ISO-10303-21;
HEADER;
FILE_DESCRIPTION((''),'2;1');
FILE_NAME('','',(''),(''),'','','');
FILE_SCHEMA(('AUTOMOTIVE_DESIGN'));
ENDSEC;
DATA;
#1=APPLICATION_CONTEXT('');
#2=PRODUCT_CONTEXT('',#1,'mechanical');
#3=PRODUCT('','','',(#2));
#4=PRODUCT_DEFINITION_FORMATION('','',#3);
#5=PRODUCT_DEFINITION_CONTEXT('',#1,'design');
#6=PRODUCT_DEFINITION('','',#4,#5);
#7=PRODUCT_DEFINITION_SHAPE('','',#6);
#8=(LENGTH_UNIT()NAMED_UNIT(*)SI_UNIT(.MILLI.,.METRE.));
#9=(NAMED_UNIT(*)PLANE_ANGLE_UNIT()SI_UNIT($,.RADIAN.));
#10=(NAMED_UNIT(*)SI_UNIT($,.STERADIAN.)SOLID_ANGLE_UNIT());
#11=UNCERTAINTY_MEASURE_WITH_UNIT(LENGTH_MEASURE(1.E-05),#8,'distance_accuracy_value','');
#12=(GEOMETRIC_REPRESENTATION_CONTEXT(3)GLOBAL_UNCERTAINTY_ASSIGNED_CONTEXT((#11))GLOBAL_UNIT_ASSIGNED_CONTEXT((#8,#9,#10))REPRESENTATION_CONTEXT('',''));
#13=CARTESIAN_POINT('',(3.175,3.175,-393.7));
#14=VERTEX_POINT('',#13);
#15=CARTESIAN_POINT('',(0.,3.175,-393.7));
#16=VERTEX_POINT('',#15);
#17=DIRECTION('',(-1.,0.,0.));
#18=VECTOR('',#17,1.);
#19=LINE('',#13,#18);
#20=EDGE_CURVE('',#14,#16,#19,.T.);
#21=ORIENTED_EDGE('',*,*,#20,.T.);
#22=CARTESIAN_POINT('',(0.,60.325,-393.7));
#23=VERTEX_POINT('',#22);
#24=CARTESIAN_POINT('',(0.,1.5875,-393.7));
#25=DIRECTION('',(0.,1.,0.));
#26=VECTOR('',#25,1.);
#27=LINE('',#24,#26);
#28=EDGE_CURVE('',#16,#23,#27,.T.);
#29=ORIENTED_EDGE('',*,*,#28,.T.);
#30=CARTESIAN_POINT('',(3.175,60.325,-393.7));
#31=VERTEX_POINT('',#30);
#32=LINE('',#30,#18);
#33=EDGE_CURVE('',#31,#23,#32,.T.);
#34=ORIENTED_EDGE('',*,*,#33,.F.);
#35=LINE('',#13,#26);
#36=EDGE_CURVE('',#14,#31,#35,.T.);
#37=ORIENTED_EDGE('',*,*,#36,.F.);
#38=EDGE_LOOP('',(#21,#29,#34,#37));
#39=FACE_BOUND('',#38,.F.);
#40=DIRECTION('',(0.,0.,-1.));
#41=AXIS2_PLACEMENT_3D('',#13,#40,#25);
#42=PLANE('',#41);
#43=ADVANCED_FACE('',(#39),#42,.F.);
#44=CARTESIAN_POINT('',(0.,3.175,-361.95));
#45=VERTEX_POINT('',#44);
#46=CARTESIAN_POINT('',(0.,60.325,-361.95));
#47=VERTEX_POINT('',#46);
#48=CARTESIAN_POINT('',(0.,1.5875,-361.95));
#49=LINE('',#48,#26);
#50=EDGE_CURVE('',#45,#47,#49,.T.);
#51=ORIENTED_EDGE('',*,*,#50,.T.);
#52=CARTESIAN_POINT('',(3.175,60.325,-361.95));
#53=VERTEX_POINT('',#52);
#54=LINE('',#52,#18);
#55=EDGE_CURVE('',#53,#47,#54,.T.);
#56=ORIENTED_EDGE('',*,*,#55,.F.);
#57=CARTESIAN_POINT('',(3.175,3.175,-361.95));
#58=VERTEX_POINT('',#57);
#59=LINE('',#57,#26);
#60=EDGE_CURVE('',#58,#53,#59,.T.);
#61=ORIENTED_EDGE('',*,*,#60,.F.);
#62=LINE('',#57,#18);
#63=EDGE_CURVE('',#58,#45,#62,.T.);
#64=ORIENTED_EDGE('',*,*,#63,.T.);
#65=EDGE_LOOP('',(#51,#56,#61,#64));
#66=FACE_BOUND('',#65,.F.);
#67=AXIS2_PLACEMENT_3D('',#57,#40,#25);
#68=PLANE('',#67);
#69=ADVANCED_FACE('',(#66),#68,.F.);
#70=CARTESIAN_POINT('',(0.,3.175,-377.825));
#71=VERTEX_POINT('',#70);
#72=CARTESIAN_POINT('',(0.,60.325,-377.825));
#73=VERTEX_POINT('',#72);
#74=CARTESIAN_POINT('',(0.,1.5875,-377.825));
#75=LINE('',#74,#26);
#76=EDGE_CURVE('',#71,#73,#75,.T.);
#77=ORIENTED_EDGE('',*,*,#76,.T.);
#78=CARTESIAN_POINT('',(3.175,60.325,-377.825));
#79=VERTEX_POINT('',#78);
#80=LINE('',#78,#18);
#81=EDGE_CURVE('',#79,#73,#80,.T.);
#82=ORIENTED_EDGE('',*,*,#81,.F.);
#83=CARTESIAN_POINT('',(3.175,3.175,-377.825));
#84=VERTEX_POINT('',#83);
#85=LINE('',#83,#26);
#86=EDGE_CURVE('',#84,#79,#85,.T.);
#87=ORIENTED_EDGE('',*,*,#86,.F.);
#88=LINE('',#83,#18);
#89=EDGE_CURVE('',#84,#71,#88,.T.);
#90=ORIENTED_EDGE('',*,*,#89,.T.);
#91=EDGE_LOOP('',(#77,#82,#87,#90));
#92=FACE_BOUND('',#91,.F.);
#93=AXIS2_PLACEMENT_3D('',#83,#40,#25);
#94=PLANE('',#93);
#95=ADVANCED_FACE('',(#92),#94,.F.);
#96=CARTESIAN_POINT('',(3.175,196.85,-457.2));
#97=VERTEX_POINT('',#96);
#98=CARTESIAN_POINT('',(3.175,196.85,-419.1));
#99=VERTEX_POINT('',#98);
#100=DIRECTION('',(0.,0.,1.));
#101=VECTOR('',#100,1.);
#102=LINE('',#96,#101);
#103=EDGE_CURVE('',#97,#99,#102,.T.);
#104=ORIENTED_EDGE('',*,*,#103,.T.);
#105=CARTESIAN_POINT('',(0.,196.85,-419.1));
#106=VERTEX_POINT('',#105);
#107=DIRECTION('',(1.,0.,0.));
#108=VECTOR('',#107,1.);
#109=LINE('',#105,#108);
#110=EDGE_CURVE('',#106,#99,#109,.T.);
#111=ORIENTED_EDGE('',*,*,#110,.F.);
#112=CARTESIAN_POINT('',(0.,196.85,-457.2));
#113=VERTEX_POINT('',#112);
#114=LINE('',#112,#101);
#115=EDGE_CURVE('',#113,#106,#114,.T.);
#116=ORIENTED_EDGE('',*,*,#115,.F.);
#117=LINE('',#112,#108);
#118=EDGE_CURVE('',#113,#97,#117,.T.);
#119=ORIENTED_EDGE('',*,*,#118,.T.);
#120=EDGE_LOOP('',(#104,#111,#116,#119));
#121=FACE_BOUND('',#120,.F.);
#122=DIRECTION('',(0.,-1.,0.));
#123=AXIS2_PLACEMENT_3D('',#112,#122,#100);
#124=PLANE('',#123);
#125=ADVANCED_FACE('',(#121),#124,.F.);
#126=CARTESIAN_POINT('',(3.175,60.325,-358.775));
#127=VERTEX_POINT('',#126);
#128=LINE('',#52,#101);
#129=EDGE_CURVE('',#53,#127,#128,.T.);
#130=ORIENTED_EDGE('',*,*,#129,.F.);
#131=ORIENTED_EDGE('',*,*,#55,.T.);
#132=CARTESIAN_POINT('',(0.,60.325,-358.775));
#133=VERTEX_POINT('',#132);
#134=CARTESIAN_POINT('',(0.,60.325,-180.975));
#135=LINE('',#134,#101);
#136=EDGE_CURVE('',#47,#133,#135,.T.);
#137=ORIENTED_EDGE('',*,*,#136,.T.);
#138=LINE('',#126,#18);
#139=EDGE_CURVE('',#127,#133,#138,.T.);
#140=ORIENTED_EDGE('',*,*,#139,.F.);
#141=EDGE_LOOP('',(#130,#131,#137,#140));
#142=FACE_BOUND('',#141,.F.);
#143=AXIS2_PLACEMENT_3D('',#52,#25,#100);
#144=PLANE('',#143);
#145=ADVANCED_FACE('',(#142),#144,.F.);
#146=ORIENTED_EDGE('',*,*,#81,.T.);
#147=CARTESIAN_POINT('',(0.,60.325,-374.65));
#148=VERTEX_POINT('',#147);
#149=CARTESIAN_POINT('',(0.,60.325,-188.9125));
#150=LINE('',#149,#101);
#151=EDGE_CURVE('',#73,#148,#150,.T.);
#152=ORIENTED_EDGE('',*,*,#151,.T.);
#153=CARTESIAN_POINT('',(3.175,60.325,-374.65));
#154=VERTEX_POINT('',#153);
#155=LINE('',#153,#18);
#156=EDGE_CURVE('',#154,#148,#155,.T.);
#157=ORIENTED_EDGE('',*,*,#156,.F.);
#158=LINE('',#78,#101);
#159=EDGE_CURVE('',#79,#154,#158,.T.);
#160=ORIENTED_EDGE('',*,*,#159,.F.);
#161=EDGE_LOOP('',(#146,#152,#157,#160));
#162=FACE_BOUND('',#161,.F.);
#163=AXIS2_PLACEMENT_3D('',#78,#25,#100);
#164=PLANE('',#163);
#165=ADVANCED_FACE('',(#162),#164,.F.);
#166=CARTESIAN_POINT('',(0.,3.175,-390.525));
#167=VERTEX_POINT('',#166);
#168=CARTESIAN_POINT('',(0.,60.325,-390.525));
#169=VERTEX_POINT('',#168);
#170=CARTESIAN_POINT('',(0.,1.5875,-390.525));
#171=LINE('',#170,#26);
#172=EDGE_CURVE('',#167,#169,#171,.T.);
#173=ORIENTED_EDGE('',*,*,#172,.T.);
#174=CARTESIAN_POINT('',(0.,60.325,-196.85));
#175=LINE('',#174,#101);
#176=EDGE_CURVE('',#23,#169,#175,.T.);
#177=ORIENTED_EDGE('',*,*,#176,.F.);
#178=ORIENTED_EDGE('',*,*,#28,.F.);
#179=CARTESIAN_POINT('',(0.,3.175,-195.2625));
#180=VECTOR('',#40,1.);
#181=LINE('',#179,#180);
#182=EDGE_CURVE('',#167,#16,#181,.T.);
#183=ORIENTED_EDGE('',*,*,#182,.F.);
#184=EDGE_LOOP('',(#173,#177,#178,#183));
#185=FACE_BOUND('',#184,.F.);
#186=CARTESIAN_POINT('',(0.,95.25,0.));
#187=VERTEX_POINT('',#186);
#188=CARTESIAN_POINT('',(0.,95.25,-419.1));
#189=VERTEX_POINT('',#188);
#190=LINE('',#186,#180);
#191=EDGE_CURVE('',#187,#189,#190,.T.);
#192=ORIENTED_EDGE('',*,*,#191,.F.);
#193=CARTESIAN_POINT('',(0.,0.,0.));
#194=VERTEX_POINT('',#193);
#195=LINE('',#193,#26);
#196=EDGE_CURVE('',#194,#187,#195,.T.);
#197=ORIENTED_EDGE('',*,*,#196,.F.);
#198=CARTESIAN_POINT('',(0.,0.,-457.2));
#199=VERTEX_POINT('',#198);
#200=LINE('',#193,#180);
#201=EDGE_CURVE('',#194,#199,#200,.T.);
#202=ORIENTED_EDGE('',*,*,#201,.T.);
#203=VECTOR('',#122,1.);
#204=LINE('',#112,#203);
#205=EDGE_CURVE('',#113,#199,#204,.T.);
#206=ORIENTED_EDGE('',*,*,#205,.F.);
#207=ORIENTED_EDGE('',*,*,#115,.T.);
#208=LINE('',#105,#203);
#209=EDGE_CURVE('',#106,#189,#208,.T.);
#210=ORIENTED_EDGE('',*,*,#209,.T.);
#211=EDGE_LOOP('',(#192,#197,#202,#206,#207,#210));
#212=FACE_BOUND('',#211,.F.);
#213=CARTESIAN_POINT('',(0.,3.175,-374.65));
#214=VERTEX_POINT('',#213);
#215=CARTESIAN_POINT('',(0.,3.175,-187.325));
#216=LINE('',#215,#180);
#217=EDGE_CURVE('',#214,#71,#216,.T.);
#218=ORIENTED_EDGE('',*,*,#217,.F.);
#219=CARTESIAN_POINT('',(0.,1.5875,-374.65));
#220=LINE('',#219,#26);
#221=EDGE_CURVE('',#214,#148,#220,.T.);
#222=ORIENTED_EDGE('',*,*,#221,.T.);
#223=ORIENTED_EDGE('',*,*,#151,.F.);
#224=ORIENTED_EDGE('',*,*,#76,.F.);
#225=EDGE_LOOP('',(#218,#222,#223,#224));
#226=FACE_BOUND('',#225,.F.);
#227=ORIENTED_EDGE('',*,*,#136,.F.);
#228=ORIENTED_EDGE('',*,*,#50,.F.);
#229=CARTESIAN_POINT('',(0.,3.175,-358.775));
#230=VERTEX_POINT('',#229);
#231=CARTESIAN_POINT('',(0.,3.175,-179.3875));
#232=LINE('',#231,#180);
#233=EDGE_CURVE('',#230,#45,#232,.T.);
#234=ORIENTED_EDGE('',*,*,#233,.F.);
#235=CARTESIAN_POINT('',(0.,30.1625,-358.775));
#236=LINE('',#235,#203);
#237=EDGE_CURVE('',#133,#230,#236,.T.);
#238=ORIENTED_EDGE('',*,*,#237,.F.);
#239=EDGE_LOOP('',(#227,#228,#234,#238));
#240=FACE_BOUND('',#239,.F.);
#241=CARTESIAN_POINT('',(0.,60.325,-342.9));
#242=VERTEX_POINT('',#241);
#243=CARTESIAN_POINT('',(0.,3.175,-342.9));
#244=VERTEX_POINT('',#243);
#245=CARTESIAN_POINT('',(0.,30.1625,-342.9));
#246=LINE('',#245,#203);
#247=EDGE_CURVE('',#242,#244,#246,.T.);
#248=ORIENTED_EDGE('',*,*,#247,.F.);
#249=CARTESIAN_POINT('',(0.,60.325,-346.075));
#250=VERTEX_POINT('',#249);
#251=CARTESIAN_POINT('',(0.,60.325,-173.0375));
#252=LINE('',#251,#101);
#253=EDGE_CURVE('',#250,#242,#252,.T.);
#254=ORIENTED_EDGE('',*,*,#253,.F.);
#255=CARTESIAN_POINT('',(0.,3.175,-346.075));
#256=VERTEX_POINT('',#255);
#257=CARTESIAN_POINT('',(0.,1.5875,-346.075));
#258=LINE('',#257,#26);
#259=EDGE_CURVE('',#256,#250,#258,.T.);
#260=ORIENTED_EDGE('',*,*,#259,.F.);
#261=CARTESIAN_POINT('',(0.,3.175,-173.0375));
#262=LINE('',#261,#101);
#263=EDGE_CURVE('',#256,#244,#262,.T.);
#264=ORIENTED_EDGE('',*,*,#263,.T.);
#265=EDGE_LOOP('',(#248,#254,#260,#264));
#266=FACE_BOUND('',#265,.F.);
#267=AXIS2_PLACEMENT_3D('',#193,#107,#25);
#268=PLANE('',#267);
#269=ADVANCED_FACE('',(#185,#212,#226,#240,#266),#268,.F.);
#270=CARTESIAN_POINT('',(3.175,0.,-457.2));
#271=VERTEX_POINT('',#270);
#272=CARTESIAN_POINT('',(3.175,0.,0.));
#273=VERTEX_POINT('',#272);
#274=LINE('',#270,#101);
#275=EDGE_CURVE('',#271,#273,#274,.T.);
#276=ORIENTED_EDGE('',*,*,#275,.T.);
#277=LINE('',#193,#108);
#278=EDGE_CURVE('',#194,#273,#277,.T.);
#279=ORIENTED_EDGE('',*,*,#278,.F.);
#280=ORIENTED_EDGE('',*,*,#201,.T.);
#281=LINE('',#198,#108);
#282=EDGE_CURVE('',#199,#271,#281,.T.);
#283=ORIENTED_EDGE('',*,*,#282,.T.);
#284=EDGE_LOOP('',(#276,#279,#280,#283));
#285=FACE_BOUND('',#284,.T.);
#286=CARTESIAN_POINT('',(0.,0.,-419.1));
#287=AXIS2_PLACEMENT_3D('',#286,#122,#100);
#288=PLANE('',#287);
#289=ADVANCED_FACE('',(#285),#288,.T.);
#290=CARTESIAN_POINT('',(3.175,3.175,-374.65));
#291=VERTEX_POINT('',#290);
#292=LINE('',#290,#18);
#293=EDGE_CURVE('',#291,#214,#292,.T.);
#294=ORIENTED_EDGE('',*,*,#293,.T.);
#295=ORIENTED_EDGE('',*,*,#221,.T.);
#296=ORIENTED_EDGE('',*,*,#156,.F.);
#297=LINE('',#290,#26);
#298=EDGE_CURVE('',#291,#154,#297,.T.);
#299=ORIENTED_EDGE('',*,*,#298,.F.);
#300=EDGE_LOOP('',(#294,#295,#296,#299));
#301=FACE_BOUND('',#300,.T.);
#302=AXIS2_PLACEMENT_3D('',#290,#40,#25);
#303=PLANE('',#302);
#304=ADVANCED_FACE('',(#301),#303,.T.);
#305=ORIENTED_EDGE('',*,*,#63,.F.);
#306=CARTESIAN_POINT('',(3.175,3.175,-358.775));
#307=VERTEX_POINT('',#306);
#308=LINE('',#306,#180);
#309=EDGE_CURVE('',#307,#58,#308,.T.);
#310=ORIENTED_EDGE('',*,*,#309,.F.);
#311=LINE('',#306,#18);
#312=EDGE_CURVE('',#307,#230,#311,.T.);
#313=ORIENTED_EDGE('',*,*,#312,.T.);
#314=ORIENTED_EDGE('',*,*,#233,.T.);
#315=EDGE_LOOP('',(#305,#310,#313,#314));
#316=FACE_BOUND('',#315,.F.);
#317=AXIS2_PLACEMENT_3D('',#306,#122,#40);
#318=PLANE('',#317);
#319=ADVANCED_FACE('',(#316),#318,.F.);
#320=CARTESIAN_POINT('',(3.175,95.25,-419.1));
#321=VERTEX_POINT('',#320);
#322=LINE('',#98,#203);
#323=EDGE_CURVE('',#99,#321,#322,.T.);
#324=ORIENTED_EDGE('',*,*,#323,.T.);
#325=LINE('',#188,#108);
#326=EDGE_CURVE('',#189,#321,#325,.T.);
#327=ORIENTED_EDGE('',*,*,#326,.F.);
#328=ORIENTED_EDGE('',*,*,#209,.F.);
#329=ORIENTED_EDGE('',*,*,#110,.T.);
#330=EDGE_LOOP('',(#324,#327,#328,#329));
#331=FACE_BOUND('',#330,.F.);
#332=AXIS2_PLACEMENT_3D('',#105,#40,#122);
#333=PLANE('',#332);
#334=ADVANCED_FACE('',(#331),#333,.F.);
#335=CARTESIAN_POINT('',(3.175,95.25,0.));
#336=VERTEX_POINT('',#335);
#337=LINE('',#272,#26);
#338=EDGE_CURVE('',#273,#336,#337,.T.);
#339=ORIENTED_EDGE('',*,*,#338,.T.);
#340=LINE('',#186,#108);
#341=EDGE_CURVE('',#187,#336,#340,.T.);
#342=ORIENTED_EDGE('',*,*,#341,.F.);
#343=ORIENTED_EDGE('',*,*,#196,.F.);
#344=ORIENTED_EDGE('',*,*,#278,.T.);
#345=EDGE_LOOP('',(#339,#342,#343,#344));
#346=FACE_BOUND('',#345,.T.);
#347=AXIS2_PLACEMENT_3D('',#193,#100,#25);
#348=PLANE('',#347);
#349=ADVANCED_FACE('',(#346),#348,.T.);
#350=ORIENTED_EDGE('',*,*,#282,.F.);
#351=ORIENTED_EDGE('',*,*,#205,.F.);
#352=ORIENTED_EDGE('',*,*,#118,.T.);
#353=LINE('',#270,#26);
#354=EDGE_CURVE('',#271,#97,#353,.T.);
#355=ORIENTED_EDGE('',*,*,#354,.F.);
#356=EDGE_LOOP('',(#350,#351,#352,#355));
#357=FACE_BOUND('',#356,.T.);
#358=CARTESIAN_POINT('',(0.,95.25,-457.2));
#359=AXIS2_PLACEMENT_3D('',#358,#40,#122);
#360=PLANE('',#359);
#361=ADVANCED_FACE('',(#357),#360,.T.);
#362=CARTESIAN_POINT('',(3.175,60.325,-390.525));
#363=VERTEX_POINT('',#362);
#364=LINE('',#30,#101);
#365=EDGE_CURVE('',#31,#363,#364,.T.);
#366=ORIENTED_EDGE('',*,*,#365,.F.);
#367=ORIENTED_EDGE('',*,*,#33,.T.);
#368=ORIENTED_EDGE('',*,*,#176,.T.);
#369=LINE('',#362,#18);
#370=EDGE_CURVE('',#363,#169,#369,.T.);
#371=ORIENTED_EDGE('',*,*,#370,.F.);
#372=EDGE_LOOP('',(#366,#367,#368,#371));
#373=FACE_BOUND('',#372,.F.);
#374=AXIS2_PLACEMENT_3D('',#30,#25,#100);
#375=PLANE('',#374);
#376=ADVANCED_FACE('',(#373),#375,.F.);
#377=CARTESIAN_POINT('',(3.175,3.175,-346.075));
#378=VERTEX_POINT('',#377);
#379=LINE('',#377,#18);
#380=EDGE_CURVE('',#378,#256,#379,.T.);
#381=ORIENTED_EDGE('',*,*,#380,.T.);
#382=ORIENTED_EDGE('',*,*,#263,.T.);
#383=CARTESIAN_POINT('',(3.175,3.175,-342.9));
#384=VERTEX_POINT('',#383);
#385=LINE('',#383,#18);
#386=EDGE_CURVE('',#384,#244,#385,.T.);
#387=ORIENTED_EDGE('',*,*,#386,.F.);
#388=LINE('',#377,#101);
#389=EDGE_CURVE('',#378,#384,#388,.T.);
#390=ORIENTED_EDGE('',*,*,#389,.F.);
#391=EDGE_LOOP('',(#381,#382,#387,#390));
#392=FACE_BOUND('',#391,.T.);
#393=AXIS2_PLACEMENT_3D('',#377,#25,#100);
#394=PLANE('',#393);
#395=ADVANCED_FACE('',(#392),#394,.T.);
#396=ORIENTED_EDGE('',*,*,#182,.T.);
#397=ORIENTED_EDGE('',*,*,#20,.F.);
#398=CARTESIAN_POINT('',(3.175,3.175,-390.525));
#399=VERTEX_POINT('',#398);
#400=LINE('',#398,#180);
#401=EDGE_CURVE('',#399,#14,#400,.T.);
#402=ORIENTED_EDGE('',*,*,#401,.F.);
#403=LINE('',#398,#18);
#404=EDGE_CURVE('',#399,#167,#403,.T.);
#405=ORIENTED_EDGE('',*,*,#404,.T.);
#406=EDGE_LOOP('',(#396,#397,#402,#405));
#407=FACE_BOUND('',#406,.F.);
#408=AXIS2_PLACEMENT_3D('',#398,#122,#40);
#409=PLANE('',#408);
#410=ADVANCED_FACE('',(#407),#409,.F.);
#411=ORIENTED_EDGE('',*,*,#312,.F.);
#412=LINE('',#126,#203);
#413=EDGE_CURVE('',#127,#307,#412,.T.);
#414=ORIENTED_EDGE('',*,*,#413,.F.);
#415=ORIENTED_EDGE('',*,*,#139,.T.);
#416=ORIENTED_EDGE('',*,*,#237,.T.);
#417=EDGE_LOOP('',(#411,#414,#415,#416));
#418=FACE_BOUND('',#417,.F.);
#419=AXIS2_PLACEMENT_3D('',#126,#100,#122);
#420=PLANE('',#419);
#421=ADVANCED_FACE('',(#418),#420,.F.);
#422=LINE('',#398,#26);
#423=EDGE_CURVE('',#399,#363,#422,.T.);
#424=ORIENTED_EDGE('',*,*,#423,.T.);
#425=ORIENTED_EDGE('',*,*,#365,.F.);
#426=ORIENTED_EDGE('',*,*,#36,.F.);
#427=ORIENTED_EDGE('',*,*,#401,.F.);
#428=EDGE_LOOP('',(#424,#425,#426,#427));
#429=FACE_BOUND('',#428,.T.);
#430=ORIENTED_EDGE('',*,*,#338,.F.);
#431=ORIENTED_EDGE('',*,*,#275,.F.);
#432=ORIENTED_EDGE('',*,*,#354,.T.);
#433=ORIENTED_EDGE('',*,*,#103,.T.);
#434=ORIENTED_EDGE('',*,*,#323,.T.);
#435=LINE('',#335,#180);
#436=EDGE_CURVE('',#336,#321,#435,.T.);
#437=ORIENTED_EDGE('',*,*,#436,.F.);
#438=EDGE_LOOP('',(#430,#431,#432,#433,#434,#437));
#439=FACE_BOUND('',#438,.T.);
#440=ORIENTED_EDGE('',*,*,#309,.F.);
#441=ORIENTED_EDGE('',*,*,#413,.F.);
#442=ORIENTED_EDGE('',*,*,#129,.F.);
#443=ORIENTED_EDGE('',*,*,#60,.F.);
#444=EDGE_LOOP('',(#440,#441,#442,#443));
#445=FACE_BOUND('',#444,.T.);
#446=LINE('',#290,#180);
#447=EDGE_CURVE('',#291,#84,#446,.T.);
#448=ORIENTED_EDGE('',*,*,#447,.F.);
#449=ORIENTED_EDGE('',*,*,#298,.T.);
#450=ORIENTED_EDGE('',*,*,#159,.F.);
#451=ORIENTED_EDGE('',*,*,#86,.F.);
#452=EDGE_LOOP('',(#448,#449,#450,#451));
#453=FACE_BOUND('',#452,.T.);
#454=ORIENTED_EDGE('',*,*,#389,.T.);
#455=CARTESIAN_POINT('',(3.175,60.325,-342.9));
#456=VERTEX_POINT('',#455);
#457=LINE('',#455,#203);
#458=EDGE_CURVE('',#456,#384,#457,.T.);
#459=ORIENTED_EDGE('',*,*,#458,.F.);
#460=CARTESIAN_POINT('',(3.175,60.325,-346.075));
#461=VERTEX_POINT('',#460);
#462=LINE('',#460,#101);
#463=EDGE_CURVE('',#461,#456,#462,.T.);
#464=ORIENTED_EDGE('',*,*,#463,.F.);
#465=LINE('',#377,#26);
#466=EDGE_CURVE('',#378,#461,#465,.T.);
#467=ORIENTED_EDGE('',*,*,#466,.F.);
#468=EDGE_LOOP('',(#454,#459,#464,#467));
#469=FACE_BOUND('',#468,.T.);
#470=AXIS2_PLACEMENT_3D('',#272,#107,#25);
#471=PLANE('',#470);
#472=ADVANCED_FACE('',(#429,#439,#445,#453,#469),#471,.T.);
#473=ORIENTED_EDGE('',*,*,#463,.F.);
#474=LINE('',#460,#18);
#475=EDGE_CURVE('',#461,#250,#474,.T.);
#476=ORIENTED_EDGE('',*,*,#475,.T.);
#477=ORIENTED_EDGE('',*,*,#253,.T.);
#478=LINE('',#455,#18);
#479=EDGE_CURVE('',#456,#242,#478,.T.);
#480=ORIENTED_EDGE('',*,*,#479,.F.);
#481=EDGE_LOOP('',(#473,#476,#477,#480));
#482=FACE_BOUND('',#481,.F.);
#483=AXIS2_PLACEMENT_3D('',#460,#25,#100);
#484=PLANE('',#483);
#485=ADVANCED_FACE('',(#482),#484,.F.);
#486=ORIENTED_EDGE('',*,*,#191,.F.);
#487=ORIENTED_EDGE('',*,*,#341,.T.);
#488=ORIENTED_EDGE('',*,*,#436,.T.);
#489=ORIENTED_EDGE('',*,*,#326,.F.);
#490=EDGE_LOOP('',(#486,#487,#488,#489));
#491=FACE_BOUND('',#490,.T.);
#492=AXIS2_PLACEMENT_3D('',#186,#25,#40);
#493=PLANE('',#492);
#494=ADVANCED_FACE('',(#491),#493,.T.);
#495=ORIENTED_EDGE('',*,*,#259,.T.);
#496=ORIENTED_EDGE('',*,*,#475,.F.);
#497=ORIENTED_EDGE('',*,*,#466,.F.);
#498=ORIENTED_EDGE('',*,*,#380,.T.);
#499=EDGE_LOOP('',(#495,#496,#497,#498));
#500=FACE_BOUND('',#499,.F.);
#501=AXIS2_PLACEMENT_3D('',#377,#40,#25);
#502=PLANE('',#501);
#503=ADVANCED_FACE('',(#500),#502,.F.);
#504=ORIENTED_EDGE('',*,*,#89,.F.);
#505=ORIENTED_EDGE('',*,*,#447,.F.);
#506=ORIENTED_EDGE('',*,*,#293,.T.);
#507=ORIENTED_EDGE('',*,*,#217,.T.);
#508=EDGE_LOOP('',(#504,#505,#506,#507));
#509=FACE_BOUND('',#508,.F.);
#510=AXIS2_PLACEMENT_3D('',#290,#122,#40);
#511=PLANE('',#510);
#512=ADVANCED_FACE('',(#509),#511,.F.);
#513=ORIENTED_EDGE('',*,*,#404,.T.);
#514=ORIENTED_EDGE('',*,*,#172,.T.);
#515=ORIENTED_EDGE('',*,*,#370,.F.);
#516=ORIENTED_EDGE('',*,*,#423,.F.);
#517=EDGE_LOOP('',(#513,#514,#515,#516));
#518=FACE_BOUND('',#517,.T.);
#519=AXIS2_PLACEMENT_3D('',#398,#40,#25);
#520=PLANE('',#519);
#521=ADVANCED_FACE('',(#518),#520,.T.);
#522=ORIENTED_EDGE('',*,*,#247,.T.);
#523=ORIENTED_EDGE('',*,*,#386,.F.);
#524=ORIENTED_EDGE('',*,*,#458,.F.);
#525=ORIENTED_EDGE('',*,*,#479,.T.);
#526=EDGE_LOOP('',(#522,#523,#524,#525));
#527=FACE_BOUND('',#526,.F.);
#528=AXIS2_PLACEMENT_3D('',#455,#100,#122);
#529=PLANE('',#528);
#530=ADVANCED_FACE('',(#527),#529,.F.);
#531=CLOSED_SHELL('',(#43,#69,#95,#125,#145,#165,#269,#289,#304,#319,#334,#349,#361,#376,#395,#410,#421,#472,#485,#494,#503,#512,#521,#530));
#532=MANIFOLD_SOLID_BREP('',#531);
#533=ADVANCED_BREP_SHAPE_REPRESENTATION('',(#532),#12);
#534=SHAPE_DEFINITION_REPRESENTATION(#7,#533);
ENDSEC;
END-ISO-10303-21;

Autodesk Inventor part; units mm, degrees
ref_plane "YZ Plane" through (0, 0, 0) normal (1, 0, 0) x (0, 1, 0)
ref_plane "XZ Plane" through (0, 0, 0) normal (0, 1, 0) x (-1, 0, 0)
ref_plane "XY Plane" through (0, 0, 0) normal (0, 0, 1) x (1, 0, 0)
sketch "Sketch1" plane through (0, 0, 0) normal (1, 0, 0) x (0, 1, 0)
  line L0 (0, 0) -> (95.25, 0)
  line L1 (95.25, 0) -> (95.25, -419.1)
  line L2 (95.25, -457.2) -> (0, -457.2)
  line L3 (0, -457.2) -> (0, 0)
  line L4 (0, -457.2) -> (196.85, -457.2)
  line L5 (196.85, -457.2) -> (196.85, -419.1)
  line L6 (196.85, -419.1) -> (95.25, -419.1)
  line L7 (0, -419.1) -> (0, -457.2)
extrude "Extrusion1" add sketch "Sketch1" along normal blind 3.175
sketch "Sketch2" plane through (3.175, 0, 0) normal (1, 0, 0) x (0, 0, -1)
  line L0 (393.7, 60.325) -> (390.525, 60.325)
  line L1 (377.825, 60.325) -> (374.65, 60.325)
  line L2 (361.95, 60.325) -> (358.775, 60.325)
  line L3 (346.075, 60.325) -> (342.9, 60.325)
  line L4 (342.9, 60.325) -> (342.9, 3.175)
  line L5 (358.775, 60.325) -> (358.775, 3.175)
  line L6 (346.075, 3.175) -> (346.075, 60.325)
  line L7 (361.95, 3.175) -> (361.95, 60.325)
  line L8 (361.95, 60.325) -> (358.775, 60.325)
  line L9 (358.775, 60.325) -> (358.775, 3.175)
  line L10 (361.95, 60.325) -> (361.95, 3.175)
  line L11 (374.65, 3.175) -> (374.65, 60.325)
  line L12 (377.825, 3.175) -> (377.825, 60.325)
  line L13 (377.825, 60.325) -> (374.65, 60.325)
  line L14 (374.65, 60.325) -> (374.65, 3.175)
  line L15 (377.825, 60.325) -> (377.825, 3.175)
  line L16 (390.525, 3.175) -> (390.525, 60.325)
  line L17 (393.7, 3.175) -> (393.7, 60.325)
  line L18 (393.7, 60.325) -> (390.525, 60.325)
  line L19 (390.525, 60.325) -> (390.525, 3.175)
  line L20 (346.075, 3.175) -> (342.9, 3.175)
  line L21 (342.9, 3.175) -> (346.075, 3.175)
  line L22 (358.775, 3.175) -> (361.95, 3.175)
  line L23 (374.65, 3.175) -> (377.825, 3.175)
  line L24 (390.525, 3.175) -> (393.7, 3.175)
  line L25 (419.1, 95.25) -> (0, 95.25) projected
  line L26 (0, 95.25) -> (457.2, 95.25)
  line L27 (457.2, 95.25) -> (457.2, 0)
  line L28 (457.2, 0) -> (0, 0)
  line L29 (0, 0) -> (0, 95.25)
extrude "Extrusion2" cut sketch "Sketch2" against normal blind 25.4 contours L17 L24 L16 L0 | L12 L23 L11 L1 | L7 L22 L5 L2 | L6 L20 L4 L3
sketch "Sketch3" plane through (3.175, 0, 0) normal (1, 0, 0) x (0, 0, -1)
  point P0 (0, 0)
sketch "Sketch4" plane through (3.175, 0, 0) normal (1, 0, 0) x (0, 0, -1)
  point P0 (0, 0)
sketch "Sketch5" plane through (3.175, 0, 0) normal (1, 0, 0) x (0, 0, -1)
  line L0 (419.1, 196.85) -> (419.1, 95.25) projected
  line L1 (419.1, 95.25) -> (0, 95.25) projected
  line L2 (419.1, 95.25) -> (0, 95.25)
  point P0 (0, 0)
properties part number "220207 Right Side"
